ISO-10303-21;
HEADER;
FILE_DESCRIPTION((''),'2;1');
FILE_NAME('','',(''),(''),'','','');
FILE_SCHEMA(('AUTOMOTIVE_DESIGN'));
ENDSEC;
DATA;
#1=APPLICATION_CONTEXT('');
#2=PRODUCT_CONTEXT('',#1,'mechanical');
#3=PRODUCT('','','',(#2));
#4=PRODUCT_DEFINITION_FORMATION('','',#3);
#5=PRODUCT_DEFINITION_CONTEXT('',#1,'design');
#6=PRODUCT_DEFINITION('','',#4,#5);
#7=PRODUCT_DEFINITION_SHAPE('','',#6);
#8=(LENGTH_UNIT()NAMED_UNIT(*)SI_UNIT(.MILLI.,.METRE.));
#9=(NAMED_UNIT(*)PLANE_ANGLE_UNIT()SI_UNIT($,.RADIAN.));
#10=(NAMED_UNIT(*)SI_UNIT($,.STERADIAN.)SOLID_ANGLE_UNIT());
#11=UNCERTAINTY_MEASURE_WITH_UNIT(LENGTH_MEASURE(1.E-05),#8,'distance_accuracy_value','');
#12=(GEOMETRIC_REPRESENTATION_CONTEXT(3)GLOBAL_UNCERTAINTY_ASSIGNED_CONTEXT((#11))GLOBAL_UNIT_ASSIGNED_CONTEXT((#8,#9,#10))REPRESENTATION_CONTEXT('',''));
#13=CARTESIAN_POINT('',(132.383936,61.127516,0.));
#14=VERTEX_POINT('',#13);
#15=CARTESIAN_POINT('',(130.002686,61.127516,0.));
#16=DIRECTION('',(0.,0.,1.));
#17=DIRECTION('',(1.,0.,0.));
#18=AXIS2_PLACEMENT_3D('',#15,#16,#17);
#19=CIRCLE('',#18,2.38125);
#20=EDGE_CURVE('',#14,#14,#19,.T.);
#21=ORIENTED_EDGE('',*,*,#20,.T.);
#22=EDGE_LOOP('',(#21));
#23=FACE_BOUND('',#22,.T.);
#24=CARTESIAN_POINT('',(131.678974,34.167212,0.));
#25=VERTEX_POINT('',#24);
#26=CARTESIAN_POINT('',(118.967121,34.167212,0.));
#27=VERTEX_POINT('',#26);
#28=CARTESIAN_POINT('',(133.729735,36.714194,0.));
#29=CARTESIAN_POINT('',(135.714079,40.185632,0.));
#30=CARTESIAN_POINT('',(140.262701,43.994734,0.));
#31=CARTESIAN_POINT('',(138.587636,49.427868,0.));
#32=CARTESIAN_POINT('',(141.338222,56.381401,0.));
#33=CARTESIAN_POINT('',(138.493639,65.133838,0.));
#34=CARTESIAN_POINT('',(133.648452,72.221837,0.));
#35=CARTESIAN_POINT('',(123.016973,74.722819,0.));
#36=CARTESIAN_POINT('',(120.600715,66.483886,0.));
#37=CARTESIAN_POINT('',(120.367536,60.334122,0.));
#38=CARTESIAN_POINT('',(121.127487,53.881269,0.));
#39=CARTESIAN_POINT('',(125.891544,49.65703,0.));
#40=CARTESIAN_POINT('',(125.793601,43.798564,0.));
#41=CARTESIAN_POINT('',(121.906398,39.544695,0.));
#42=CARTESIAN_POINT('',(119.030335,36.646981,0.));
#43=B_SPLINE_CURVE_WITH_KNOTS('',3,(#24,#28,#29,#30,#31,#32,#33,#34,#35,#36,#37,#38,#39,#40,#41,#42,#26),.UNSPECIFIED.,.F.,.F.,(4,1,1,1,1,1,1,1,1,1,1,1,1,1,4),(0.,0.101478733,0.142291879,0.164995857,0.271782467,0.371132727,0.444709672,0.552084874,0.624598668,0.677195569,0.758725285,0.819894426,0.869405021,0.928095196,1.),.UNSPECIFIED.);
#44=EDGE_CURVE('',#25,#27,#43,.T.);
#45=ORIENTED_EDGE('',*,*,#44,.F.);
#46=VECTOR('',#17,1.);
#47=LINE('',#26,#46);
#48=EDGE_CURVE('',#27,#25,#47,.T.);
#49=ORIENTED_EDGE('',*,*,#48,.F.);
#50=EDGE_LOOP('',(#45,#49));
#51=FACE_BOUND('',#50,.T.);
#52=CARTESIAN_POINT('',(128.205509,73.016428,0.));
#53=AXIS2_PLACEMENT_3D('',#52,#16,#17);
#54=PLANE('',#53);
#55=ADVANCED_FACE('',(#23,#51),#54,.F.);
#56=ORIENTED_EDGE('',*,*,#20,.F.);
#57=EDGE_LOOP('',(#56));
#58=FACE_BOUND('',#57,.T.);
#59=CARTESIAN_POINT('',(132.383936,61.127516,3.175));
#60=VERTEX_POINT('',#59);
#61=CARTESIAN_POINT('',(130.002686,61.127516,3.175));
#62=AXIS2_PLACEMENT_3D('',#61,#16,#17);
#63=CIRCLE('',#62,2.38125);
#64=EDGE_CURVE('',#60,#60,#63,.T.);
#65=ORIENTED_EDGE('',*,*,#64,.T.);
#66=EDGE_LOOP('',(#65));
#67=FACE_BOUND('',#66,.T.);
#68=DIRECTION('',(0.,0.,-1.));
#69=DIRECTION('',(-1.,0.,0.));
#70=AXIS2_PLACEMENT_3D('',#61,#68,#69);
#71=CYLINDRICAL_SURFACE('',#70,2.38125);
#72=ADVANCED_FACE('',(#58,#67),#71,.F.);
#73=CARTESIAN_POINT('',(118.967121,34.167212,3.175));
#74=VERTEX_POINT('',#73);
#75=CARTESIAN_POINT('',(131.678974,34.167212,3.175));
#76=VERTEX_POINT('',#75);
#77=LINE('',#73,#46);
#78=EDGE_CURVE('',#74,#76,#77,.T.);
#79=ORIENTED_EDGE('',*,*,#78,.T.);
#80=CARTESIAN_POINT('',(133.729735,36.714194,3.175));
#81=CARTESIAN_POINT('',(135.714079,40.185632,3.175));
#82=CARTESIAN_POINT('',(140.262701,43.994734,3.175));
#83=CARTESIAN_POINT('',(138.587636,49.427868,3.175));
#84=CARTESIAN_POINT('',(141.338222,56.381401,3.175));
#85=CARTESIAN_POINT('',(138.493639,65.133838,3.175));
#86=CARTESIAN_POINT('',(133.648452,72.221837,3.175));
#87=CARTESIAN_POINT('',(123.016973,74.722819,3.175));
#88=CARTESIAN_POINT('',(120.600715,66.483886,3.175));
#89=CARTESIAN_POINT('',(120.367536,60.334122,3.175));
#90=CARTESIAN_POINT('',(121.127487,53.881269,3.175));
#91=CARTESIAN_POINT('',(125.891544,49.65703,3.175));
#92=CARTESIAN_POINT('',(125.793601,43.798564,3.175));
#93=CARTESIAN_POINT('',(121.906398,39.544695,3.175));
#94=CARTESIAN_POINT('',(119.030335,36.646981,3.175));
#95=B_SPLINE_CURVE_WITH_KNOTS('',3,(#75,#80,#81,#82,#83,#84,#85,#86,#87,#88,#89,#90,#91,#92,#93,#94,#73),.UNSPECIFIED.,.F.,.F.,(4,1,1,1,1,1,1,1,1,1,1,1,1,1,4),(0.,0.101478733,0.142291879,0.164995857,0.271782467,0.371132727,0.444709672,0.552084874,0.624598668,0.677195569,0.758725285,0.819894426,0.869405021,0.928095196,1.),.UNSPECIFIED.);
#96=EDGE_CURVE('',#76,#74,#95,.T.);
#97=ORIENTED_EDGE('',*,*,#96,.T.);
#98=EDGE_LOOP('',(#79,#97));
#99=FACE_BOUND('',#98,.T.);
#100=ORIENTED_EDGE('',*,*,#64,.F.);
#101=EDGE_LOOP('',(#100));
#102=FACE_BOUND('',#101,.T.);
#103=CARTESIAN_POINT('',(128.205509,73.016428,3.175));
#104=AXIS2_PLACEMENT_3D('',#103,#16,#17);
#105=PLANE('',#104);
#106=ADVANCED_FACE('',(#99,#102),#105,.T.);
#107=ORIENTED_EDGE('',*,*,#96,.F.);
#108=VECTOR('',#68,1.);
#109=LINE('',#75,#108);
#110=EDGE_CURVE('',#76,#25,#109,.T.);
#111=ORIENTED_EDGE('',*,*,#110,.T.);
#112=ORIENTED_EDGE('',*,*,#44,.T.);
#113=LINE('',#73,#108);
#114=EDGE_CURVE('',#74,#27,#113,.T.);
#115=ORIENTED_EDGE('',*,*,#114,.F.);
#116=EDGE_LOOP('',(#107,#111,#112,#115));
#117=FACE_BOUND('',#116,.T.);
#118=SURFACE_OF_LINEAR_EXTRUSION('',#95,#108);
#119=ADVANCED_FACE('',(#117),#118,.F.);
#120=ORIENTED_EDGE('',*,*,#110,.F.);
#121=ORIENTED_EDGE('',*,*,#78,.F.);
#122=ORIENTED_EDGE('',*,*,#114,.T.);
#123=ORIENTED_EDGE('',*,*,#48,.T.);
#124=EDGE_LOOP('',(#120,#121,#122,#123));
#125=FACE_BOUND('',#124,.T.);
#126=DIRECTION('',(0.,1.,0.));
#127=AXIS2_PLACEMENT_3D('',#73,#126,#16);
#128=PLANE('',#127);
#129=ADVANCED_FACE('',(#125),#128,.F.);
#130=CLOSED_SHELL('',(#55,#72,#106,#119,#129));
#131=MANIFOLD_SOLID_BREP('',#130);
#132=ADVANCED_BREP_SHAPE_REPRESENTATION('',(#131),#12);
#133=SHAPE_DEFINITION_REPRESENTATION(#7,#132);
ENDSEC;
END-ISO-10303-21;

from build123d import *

# Parameters (mm, degrees)
SKETCH1_R           = 2.38125
BOSS_EXTRUDE1_DEPTH = 3.175


with BuildPart() as part:
    # Sketch1 → Boss-Extrude1 (new body)
    with BuildSketch(Plane.XY):
        with BuildLine():
            Line((118.967121116, 34.167212387), (131.678974086, 34.167212387))
            add(Edge.make_bspline(
                [(118.967121116, 34.167212387), (119.030334903, 36.646981492), (121.906398461, 39.544695237), (125.793601399, 43.798563993), (125.891543855, 49.657029521), (121.127487031, 53.881268974), (120.367535927, 60.334121971), (120.600714524, 66.483885791), (123.016973291, 74.722819228), (133.648452355, 72.22183711), (138.493639111, 65.133838074), (141.338222111, 56.381400819), (138.587636306, 49.427867998), (140.262700775, 43.994734022), (135.714079048, 40.185632466), (133.729735142, 36.714193959), (131.678974086, 34.167212387)],
                knots=[0, 0, 0, 0, 0.071904804, 0.130594979, 0.180105574, 0.241274715, 0.322804431, 0.375401332, 0.447915126, 0.555290328, 0.628867273, 0.728217533, 0.835004143, 0.857708121, 0.898521267, 1, 1, 1, 1], degree=3))
        make_face()
        with Locations((130.002685782, 61.127515939)):
            Circle(SKETCH1_R, mode=Mode.SUBTRACT)
    extrude(amount=BOSS_EXTRUDE1_DEPTH)


solid = part.part
